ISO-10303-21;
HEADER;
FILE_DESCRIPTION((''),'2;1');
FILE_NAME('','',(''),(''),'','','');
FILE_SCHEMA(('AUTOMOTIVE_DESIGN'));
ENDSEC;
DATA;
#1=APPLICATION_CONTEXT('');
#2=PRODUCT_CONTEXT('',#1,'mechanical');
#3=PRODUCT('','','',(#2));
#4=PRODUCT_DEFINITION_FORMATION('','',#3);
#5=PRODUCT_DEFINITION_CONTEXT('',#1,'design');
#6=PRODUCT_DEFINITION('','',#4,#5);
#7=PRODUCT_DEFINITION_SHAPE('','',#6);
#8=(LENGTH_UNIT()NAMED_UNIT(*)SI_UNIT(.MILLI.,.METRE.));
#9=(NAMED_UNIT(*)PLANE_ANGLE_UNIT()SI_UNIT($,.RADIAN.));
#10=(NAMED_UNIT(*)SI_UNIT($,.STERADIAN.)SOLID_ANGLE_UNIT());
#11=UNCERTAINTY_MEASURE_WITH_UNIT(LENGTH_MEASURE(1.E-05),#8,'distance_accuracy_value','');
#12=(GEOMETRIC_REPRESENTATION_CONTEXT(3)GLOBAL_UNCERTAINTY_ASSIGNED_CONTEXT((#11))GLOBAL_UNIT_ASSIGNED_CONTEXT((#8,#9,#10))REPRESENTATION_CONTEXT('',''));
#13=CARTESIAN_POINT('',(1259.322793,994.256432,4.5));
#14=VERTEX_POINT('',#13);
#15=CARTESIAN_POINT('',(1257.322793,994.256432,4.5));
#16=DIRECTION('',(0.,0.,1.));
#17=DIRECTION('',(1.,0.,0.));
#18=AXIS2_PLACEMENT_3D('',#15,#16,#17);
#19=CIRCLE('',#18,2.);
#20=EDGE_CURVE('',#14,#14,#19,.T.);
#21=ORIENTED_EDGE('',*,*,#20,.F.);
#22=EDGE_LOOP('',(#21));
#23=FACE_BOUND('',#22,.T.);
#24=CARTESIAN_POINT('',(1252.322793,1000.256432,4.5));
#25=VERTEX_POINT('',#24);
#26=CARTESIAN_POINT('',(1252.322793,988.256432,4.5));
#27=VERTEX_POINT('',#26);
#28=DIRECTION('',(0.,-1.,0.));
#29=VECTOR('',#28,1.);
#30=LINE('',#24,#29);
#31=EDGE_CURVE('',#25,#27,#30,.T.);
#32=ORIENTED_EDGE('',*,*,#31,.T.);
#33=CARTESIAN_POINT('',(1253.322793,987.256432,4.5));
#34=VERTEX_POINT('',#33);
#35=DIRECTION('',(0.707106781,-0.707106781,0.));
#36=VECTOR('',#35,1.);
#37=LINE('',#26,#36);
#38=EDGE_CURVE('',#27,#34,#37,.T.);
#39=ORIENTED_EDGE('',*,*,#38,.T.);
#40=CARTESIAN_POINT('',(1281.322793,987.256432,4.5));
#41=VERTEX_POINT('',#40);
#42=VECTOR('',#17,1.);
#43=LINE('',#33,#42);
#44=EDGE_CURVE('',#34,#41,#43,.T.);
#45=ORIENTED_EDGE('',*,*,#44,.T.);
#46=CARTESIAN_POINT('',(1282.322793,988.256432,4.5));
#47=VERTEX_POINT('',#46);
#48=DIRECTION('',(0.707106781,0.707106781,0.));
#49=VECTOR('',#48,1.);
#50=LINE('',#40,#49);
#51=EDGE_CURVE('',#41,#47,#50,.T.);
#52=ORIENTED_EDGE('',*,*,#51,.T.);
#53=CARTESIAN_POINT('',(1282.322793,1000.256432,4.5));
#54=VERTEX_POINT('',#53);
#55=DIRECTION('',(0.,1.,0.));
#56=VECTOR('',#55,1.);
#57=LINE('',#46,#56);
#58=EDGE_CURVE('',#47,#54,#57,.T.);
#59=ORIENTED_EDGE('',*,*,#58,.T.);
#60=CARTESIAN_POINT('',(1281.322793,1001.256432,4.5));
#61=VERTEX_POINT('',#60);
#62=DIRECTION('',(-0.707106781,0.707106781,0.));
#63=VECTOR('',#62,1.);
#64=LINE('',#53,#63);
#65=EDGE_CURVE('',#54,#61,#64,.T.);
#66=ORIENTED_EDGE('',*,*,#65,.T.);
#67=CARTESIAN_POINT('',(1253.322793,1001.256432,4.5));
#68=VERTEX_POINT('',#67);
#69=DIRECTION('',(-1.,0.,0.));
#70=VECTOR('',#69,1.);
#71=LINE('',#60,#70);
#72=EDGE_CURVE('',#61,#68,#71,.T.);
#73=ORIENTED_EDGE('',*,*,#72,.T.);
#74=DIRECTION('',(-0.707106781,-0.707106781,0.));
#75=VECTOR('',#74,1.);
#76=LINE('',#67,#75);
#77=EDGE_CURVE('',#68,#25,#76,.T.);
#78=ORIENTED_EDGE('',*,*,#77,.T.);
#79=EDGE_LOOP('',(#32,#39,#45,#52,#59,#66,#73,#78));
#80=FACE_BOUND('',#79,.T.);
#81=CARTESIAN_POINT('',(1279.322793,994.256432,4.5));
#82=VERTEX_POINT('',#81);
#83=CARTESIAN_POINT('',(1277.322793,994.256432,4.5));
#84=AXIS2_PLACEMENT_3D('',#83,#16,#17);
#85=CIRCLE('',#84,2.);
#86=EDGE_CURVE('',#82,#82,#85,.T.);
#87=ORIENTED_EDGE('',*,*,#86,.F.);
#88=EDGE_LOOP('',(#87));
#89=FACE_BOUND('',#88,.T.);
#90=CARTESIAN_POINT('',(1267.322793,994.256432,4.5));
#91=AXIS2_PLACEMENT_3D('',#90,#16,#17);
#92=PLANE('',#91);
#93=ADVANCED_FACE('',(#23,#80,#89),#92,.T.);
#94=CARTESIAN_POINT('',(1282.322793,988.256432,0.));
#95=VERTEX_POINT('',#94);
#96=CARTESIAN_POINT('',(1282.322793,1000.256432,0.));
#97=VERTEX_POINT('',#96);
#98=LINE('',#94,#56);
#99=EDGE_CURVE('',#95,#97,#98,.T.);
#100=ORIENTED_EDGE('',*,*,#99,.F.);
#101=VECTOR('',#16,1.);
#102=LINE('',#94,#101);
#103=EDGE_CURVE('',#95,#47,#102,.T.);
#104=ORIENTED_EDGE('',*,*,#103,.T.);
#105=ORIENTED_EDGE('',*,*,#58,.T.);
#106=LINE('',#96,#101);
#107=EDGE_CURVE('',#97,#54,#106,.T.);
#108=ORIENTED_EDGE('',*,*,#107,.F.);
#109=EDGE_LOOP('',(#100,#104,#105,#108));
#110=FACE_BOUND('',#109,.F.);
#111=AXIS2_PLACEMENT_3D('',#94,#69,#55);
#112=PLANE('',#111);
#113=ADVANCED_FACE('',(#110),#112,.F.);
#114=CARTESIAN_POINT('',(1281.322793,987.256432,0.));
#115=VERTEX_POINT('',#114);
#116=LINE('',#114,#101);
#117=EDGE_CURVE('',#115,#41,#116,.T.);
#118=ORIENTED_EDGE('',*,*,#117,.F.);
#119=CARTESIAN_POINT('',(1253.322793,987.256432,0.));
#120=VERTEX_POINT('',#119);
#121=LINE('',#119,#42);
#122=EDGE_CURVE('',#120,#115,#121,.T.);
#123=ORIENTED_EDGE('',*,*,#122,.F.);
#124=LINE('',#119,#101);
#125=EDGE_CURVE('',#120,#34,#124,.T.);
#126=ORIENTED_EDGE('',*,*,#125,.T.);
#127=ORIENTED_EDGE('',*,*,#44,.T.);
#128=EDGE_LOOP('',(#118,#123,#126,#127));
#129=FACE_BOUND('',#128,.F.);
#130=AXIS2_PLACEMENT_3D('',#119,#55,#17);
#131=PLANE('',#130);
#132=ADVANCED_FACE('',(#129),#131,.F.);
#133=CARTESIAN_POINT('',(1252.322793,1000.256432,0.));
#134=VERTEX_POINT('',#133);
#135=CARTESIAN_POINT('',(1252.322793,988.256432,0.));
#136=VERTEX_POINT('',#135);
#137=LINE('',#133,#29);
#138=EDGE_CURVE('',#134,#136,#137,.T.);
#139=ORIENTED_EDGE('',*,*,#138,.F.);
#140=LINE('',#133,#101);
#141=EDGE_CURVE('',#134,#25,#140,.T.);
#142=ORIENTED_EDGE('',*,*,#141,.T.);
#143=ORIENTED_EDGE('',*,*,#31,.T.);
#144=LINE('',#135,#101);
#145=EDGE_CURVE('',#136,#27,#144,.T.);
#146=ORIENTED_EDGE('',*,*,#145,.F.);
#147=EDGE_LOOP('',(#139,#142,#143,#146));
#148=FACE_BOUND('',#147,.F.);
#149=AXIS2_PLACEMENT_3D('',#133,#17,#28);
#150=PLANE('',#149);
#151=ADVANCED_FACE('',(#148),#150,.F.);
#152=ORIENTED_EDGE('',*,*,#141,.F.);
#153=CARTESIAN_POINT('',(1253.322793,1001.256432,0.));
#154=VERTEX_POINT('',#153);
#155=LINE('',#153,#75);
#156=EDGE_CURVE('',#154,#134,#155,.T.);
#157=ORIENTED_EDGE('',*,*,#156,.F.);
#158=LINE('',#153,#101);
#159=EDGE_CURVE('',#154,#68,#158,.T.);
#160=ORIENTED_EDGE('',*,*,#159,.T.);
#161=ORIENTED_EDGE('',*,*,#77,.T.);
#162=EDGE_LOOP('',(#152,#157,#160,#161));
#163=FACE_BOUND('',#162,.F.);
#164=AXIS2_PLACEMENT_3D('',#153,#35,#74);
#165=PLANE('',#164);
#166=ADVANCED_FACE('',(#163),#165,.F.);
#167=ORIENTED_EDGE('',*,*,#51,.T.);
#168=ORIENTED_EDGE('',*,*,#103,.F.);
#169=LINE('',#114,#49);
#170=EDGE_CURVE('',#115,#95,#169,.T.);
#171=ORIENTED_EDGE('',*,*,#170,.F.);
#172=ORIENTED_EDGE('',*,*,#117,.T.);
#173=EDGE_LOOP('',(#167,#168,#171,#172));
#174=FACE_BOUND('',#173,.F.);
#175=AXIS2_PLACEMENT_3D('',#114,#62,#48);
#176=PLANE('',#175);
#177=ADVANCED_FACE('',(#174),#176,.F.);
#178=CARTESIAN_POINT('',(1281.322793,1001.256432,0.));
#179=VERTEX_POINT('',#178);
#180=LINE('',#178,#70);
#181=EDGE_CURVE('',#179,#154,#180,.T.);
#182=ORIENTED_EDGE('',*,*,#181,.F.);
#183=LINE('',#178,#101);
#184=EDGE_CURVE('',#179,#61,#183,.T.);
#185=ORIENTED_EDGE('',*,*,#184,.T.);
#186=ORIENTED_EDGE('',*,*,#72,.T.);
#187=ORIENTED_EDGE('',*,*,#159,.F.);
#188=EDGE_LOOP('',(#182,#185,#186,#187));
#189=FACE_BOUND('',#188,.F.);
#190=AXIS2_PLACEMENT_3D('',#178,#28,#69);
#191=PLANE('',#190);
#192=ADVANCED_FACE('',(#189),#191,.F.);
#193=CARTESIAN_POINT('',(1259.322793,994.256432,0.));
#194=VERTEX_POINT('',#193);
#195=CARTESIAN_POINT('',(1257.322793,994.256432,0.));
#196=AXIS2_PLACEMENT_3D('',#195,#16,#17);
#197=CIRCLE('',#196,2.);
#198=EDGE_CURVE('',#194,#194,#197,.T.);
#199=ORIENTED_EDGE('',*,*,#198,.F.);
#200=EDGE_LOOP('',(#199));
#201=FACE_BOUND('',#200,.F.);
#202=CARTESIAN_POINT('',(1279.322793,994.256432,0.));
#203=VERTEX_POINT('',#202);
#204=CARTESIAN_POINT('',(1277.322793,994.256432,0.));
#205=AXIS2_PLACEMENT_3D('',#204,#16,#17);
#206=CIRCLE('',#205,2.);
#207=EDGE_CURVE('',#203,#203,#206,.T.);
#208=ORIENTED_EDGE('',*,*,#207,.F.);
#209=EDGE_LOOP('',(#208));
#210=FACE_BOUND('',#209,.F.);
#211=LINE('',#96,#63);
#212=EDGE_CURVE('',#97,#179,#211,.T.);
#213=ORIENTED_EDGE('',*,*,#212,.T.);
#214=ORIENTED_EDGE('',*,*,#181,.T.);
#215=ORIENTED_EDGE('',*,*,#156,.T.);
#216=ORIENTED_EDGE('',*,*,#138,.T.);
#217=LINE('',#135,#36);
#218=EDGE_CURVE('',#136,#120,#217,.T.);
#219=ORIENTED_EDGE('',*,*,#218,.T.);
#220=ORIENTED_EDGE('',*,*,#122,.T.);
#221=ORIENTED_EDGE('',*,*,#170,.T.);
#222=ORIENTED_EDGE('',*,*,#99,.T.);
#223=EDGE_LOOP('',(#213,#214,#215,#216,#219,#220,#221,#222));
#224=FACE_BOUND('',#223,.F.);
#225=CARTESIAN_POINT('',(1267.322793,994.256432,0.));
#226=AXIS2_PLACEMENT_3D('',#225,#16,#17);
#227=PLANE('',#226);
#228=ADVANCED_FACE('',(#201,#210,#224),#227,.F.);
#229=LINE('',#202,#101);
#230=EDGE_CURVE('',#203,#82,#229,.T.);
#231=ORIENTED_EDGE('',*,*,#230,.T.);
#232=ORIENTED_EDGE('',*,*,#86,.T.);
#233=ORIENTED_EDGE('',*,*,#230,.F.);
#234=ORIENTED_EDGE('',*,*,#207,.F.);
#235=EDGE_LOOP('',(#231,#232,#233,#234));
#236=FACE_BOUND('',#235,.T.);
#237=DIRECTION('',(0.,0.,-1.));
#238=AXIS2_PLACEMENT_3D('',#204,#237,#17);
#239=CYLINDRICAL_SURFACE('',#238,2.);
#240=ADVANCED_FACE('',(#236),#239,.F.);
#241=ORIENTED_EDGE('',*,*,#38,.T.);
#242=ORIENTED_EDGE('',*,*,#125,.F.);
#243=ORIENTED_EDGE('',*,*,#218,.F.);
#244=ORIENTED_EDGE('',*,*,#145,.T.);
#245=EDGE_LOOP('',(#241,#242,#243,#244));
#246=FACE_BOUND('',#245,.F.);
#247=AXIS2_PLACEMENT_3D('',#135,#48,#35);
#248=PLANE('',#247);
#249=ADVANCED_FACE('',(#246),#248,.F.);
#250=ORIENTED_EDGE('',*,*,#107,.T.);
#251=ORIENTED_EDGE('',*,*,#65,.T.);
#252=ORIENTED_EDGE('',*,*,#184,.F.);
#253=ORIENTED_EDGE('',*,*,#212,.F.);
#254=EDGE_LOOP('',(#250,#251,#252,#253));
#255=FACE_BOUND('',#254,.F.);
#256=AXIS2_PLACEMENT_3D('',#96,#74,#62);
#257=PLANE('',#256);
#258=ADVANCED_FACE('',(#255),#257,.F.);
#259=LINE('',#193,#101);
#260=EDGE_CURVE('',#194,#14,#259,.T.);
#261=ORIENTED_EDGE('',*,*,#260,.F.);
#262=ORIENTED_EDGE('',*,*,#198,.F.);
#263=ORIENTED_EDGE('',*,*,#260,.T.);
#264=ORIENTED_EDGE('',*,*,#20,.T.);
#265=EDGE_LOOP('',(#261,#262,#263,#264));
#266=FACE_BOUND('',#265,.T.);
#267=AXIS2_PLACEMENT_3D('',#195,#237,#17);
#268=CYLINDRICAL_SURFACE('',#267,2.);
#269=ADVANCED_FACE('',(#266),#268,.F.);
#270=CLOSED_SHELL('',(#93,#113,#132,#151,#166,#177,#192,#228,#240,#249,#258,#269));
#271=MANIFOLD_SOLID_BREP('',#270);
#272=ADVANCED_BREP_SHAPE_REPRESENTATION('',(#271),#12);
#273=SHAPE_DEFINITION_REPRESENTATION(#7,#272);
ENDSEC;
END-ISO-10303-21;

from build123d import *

# Parameters (mm, degrees)
SKETCH_1_R      = 2
EXTRUDE_1_DEPTH = 4.5


with BuildPart() as part:
    # 草图1 → 拉伸1 (new body)
    with BuildSketch(Plane.XY):
        Polygon((1281.32279317, 1001.256432472), (1253.32279317, 1001.256432472), (1252.32279317, 1000.256432472), (1252.32279317, 988.256432472), (1253.32279317, 987.256432472), (1281.32279317, 987.256432472), (1282.32279317, 988.256432472), (1282.32279317, 1000.256432472), align=None)
        with Locations((1257.32279317, 994.256432472)):
            Circle(SKETCH_1_R, mode=Mode.SUBTRACT)
        with Locations((1277.32279317, 994.256432472)):
            Circle(SKETCH_1_R, mode=Mode.SUBTRACT)
    extrude(amount=EXTRUDE_1_DEPTH)


solid = part.part
